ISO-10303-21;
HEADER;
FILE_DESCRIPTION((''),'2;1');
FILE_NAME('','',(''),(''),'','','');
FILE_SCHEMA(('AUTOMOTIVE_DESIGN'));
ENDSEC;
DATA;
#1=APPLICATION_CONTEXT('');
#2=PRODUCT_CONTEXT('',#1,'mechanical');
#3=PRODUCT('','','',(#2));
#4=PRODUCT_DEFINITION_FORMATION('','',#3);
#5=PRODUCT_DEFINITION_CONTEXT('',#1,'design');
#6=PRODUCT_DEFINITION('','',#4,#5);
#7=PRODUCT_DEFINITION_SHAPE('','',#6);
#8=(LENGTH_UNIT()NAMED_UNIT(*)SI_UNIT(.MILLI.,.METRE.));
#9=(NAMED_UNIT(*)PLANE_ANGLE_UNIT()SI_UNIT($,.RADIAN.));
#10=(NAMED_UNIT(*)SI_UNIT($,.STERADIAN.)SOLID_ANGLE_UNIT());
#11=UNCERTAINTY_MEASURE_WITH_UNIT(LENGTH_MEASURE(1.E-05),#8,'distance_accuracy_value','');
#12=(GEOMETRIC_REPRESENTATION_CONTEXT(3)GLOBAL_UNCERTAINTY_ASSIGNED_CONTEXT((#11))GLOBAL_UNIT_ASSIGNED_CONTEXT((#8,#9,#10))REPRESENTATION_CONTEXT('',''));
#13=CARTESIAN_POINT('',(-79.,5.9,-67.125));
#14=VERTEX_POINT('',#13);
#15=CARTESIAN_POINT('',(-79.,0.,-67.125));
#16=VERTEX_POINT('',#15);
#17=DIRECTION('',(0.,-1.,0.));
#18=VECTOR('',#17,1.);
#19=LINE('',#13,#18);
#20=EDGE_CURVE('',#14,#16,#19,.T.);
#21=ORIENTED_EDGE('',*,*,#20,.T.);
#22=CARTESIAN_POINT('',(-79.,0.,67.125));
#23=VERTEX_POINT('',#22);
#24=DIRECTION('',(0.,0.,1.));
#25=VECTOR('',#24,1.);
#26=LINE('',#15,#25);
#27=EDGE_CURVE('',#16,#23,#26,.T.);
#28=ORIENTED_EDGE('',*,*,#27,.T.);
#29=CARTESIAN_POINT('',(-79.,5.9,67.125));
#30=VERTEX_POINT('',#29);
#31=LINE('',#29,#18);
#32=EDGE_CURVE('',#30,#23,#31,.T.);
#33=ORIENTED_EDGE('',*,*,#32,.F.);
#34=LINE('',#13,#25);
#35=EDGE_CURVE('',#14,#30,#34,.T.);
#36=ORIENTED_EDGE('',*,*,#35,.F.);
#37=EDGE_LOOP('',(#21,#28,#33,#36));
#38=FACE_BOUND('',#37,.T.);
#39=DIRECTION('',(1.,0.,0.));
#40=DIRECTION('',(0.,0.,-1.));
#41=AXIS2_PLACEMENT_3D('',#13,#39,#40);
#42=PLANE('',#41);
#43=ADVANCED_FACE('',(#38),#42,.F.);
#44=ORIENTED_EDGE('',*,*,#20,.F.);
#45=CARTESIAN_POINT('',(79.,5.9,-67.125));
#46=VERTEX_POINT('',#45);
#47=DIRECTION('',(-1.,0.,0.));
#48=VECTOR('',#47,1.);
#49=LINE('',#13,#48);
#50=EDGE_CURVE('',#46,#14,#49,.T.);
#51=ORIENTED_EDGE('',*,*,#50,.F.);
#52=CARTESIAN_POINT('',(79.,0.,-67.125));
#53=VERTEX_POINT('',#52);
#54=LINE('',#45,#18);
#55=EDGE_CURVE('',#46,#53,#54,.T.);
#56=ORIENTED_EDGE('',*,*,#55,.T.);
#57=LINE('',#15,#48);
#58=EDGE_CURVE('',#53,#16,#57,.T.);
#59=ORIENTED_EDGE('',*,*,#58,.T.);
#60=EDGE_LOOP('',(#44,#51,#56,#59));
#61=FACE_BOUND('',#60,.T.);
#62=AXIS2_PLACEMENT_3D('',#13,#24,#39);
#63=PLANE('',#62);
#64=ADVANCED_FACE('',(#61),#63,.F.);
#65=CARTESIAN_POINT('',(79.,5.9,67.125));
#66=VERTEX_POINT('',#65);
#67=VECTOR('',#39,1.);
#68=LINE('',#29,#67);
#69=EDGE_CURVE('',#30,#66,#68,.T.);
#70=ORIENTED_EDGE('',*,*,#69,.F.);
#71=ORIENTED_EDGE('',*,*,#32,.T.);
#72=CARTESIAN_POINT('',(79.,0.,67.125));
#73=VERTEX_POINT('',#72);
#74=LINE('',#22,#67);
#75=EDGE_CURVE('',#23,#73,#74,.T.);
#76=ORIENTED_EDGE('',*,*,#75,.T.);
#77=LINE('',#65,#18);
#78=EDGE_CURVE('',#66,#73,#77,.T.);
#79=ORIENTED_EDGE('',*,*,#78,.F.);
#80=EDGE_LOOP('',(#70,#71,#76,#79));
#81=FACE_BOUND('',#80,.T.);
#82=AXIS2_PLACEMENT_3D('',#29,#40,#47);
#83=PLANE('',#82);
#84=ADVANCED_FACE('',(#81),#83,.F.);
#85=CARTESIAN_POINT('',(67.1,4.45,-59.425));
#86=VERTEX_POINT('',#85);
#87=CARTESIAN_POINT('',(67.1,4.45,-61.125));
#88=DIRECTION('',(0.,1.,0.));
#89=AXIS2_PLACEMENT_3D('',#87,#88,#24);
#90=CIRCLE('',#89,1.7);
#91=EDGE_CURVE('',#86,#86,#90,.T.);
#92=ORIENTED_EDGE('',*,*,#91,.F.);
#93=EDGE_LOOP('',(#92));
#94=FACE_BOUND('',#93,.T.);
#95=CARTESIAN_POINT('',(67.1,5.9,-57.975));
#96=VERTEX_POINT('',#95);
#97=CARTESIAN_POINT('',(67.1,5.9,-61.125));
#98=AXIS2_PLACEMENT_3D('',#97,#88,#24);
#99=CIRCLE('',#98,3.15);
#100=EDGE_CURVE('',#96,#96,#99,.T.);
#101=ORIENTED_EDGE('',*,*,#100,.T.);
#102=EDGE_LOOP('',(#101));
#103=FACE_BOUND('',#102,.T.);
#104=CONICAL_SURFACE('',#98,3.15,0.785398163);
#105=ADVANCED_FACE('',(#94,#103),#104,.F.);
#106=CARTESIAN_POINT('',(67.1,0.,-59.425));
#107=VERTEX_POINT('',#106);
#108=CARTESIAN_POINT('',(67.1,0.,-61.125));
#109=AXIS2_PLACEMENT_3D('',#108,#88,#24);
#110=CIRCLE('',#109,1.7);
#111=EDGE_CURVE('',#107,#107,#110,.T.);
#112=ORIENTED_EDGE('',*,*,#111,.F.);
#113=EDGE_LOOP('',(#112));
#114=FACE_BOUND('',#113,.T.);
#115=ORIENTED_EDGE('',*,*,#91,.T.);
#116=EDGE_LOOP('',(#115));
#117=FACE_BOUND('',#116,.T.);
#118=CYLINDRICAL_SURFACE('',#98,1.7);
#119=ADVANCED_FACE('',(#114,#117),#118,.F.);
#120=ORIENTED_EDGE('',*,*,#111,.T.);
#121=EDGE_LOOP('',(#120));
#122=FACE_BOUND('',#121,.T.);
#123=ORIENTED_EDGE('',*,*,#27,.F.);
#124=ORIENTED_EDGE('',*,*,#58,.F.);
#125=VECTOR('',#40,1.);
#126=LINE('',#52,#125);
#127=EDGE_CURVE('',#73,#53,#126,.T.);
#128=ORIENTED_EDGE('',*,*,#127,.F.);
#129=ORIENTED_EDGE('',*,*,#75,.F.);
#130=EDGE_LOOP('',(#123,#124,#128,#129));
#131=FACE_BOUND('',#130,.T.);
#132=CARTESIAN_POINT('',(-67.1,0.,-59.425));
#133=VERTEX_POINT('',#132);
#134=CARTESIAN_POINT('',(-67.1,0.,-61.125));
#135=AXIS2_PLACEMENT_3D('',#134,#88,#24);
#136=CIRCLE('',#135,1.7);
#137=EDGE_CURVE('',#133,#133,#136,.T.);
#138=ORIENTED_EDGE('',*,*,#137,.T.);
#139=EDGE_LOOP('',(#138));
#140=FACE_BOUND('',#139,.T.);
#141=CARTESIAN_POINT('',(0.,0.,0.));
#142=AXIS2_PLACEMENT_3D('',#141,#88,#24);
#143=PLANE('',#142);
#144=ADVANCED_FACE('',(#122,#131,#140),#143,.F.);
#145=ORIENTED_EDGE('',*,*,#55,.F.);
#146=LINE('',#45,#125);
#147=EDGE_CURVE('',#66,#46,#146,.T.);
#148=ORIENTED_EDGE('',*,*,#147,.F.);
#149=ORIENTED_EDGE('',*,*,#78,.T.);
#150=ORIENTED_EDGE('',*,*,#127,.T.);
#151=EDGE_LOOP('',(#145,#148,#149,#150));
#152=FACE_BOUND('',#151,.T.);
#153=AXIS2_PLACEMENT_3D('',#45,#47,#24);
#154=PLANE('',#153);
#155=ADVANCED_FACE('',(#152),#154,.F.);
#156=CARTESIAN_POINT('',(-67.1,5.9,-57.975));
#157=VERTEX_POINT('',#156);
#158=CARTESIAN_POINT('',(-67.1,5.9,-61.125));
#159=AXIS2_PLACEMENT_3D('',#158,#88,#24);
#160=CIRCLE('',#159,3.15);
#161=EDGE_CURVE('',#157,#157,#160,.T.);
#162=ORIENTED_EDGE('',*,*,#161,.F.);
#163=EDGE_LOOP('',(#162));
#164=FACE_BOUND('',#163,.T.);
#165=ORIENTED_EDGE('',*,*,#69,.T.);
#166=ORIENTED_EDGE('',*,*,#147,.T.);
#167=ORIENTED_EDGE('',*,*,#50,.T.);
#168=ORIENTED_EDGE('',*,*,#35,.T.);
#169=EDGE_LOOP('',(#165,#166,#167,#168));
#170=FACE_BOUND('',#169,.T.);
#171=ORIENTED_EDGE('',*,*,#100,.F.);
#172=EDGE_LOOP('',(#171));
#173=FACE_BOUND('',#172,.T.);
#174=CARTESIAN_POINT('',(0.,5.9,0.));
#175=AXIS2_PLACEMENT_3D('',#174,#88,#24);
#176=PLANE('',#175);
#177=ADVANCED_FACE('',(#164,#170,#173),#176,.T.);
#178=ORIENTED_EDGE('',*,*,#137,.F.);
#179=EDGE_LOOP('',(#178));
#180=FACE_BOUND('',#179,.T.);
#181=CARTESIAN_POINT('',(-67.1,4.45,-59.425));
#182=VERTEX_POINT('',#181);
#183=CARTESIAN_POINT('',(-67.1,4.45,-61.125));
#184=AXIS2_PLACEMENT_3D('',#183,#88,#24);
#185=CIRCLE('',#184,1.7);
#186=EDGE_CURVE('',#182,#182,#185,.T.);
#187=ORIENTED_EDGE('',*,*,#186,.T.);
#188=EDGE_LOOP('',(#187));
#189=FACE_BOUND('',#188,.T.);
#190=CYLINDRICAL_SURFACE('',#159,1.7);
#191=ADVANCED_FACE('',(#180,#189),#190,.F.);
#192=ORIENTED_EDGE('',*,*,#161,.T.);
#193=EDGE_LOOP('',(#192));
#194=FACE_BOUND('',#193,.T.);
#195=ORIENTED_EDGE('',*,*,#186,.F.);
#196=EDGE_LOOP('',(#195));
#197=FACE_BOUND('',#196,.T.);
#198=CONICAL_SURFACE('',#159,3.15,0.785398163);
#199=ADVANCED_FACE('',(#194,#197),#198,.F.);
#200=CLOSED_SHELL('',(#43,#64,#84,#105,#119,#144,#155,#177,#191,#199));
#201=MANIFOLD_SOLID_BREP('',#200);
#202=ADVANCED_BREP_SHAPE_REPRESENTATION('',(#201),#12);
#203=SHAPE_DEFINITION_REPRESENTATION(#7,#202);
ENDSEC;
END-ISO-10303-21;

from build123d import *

# Parameters (mm, degrees)
SKETCH1_W                                       = 158
SKETCH1_H                                       = 134.25
BOSS_EXTRUDE1_DEPTH                             = 5.9
CSK_FOR_M3_FLAT_HEAD_MACHINE_SCREW1_D           = 3.4
CSK_FOR_M3_FLAT_HEAD_MACHINE_SCREW1_DEPTH       = 10
CSK_FOR_M3_FLAT_HEAD_MACHINE_SCREW1_CSINK_D     = 6.3
CSK_FOR_M3_FLAT_HEAD_MACHINE_SCREW1_CSINK_ANGLE = 90
CSK_FOR_M3_FLAT_HEAD_MACHINE_SCREW1_TIP         = 1.021463052


with BuildPart() as part:
    # Sketch1 → Boss-Extrude1 (new body)
    with BuildSketch(Plane(origin=(0, 0, 0), x_dir=(1, 0, 0), z_dir=(0, 1, 0))):
        Rectangle(SKETCH1_W, SKETCH1_H)
    extrude(amount=BOSS_EXTRUDE1_DEPTH)

    # CSK for M3 Flat Head Machine Screw1
    with Locations(Plane(origin=(0, 5.9, 0), x_dir=(1, 0, 0), z_dir=(0, 1, 0))):
        with Locations((-67.1, 61.125), (67.1, 61.125)):
            CounterSinkHole(CSK_FOR_M3_FLAT_HEAD_MACHINE_SCREW1_D / 2, CSK_FOR_M3_FLAT_HEAD_MACHINE_SCREW1_CSINK_D / 2, depth=CSK_FOR_M3_FLAT_HEAD_MACHINE_SCREW1_DEPTH, counter_sink_angle=CSK_FOR_M3_FLAT_HEAD_MACHINE_SCREW1_CSINK_ANGLE)
            with Locations((0, 0, -(CSK_FOR_M3_FLAT_HEAD_MACHINE_SCREW1_DEPTH + CSK_FOR_M3_FLAT_HEAD_MACHINE_SCREW1_TIP / 2))):  # 118° drill point
                Cone(0, CSK_FOR_M3_FLAT_HEAD_MACHINE_SCREW1_D / 2, CSK_FOR_M3_FLAT_HEAD_MACHINE_SCREW1_TIP, mode=Mode.SUBTRACT)


solid = part.part
